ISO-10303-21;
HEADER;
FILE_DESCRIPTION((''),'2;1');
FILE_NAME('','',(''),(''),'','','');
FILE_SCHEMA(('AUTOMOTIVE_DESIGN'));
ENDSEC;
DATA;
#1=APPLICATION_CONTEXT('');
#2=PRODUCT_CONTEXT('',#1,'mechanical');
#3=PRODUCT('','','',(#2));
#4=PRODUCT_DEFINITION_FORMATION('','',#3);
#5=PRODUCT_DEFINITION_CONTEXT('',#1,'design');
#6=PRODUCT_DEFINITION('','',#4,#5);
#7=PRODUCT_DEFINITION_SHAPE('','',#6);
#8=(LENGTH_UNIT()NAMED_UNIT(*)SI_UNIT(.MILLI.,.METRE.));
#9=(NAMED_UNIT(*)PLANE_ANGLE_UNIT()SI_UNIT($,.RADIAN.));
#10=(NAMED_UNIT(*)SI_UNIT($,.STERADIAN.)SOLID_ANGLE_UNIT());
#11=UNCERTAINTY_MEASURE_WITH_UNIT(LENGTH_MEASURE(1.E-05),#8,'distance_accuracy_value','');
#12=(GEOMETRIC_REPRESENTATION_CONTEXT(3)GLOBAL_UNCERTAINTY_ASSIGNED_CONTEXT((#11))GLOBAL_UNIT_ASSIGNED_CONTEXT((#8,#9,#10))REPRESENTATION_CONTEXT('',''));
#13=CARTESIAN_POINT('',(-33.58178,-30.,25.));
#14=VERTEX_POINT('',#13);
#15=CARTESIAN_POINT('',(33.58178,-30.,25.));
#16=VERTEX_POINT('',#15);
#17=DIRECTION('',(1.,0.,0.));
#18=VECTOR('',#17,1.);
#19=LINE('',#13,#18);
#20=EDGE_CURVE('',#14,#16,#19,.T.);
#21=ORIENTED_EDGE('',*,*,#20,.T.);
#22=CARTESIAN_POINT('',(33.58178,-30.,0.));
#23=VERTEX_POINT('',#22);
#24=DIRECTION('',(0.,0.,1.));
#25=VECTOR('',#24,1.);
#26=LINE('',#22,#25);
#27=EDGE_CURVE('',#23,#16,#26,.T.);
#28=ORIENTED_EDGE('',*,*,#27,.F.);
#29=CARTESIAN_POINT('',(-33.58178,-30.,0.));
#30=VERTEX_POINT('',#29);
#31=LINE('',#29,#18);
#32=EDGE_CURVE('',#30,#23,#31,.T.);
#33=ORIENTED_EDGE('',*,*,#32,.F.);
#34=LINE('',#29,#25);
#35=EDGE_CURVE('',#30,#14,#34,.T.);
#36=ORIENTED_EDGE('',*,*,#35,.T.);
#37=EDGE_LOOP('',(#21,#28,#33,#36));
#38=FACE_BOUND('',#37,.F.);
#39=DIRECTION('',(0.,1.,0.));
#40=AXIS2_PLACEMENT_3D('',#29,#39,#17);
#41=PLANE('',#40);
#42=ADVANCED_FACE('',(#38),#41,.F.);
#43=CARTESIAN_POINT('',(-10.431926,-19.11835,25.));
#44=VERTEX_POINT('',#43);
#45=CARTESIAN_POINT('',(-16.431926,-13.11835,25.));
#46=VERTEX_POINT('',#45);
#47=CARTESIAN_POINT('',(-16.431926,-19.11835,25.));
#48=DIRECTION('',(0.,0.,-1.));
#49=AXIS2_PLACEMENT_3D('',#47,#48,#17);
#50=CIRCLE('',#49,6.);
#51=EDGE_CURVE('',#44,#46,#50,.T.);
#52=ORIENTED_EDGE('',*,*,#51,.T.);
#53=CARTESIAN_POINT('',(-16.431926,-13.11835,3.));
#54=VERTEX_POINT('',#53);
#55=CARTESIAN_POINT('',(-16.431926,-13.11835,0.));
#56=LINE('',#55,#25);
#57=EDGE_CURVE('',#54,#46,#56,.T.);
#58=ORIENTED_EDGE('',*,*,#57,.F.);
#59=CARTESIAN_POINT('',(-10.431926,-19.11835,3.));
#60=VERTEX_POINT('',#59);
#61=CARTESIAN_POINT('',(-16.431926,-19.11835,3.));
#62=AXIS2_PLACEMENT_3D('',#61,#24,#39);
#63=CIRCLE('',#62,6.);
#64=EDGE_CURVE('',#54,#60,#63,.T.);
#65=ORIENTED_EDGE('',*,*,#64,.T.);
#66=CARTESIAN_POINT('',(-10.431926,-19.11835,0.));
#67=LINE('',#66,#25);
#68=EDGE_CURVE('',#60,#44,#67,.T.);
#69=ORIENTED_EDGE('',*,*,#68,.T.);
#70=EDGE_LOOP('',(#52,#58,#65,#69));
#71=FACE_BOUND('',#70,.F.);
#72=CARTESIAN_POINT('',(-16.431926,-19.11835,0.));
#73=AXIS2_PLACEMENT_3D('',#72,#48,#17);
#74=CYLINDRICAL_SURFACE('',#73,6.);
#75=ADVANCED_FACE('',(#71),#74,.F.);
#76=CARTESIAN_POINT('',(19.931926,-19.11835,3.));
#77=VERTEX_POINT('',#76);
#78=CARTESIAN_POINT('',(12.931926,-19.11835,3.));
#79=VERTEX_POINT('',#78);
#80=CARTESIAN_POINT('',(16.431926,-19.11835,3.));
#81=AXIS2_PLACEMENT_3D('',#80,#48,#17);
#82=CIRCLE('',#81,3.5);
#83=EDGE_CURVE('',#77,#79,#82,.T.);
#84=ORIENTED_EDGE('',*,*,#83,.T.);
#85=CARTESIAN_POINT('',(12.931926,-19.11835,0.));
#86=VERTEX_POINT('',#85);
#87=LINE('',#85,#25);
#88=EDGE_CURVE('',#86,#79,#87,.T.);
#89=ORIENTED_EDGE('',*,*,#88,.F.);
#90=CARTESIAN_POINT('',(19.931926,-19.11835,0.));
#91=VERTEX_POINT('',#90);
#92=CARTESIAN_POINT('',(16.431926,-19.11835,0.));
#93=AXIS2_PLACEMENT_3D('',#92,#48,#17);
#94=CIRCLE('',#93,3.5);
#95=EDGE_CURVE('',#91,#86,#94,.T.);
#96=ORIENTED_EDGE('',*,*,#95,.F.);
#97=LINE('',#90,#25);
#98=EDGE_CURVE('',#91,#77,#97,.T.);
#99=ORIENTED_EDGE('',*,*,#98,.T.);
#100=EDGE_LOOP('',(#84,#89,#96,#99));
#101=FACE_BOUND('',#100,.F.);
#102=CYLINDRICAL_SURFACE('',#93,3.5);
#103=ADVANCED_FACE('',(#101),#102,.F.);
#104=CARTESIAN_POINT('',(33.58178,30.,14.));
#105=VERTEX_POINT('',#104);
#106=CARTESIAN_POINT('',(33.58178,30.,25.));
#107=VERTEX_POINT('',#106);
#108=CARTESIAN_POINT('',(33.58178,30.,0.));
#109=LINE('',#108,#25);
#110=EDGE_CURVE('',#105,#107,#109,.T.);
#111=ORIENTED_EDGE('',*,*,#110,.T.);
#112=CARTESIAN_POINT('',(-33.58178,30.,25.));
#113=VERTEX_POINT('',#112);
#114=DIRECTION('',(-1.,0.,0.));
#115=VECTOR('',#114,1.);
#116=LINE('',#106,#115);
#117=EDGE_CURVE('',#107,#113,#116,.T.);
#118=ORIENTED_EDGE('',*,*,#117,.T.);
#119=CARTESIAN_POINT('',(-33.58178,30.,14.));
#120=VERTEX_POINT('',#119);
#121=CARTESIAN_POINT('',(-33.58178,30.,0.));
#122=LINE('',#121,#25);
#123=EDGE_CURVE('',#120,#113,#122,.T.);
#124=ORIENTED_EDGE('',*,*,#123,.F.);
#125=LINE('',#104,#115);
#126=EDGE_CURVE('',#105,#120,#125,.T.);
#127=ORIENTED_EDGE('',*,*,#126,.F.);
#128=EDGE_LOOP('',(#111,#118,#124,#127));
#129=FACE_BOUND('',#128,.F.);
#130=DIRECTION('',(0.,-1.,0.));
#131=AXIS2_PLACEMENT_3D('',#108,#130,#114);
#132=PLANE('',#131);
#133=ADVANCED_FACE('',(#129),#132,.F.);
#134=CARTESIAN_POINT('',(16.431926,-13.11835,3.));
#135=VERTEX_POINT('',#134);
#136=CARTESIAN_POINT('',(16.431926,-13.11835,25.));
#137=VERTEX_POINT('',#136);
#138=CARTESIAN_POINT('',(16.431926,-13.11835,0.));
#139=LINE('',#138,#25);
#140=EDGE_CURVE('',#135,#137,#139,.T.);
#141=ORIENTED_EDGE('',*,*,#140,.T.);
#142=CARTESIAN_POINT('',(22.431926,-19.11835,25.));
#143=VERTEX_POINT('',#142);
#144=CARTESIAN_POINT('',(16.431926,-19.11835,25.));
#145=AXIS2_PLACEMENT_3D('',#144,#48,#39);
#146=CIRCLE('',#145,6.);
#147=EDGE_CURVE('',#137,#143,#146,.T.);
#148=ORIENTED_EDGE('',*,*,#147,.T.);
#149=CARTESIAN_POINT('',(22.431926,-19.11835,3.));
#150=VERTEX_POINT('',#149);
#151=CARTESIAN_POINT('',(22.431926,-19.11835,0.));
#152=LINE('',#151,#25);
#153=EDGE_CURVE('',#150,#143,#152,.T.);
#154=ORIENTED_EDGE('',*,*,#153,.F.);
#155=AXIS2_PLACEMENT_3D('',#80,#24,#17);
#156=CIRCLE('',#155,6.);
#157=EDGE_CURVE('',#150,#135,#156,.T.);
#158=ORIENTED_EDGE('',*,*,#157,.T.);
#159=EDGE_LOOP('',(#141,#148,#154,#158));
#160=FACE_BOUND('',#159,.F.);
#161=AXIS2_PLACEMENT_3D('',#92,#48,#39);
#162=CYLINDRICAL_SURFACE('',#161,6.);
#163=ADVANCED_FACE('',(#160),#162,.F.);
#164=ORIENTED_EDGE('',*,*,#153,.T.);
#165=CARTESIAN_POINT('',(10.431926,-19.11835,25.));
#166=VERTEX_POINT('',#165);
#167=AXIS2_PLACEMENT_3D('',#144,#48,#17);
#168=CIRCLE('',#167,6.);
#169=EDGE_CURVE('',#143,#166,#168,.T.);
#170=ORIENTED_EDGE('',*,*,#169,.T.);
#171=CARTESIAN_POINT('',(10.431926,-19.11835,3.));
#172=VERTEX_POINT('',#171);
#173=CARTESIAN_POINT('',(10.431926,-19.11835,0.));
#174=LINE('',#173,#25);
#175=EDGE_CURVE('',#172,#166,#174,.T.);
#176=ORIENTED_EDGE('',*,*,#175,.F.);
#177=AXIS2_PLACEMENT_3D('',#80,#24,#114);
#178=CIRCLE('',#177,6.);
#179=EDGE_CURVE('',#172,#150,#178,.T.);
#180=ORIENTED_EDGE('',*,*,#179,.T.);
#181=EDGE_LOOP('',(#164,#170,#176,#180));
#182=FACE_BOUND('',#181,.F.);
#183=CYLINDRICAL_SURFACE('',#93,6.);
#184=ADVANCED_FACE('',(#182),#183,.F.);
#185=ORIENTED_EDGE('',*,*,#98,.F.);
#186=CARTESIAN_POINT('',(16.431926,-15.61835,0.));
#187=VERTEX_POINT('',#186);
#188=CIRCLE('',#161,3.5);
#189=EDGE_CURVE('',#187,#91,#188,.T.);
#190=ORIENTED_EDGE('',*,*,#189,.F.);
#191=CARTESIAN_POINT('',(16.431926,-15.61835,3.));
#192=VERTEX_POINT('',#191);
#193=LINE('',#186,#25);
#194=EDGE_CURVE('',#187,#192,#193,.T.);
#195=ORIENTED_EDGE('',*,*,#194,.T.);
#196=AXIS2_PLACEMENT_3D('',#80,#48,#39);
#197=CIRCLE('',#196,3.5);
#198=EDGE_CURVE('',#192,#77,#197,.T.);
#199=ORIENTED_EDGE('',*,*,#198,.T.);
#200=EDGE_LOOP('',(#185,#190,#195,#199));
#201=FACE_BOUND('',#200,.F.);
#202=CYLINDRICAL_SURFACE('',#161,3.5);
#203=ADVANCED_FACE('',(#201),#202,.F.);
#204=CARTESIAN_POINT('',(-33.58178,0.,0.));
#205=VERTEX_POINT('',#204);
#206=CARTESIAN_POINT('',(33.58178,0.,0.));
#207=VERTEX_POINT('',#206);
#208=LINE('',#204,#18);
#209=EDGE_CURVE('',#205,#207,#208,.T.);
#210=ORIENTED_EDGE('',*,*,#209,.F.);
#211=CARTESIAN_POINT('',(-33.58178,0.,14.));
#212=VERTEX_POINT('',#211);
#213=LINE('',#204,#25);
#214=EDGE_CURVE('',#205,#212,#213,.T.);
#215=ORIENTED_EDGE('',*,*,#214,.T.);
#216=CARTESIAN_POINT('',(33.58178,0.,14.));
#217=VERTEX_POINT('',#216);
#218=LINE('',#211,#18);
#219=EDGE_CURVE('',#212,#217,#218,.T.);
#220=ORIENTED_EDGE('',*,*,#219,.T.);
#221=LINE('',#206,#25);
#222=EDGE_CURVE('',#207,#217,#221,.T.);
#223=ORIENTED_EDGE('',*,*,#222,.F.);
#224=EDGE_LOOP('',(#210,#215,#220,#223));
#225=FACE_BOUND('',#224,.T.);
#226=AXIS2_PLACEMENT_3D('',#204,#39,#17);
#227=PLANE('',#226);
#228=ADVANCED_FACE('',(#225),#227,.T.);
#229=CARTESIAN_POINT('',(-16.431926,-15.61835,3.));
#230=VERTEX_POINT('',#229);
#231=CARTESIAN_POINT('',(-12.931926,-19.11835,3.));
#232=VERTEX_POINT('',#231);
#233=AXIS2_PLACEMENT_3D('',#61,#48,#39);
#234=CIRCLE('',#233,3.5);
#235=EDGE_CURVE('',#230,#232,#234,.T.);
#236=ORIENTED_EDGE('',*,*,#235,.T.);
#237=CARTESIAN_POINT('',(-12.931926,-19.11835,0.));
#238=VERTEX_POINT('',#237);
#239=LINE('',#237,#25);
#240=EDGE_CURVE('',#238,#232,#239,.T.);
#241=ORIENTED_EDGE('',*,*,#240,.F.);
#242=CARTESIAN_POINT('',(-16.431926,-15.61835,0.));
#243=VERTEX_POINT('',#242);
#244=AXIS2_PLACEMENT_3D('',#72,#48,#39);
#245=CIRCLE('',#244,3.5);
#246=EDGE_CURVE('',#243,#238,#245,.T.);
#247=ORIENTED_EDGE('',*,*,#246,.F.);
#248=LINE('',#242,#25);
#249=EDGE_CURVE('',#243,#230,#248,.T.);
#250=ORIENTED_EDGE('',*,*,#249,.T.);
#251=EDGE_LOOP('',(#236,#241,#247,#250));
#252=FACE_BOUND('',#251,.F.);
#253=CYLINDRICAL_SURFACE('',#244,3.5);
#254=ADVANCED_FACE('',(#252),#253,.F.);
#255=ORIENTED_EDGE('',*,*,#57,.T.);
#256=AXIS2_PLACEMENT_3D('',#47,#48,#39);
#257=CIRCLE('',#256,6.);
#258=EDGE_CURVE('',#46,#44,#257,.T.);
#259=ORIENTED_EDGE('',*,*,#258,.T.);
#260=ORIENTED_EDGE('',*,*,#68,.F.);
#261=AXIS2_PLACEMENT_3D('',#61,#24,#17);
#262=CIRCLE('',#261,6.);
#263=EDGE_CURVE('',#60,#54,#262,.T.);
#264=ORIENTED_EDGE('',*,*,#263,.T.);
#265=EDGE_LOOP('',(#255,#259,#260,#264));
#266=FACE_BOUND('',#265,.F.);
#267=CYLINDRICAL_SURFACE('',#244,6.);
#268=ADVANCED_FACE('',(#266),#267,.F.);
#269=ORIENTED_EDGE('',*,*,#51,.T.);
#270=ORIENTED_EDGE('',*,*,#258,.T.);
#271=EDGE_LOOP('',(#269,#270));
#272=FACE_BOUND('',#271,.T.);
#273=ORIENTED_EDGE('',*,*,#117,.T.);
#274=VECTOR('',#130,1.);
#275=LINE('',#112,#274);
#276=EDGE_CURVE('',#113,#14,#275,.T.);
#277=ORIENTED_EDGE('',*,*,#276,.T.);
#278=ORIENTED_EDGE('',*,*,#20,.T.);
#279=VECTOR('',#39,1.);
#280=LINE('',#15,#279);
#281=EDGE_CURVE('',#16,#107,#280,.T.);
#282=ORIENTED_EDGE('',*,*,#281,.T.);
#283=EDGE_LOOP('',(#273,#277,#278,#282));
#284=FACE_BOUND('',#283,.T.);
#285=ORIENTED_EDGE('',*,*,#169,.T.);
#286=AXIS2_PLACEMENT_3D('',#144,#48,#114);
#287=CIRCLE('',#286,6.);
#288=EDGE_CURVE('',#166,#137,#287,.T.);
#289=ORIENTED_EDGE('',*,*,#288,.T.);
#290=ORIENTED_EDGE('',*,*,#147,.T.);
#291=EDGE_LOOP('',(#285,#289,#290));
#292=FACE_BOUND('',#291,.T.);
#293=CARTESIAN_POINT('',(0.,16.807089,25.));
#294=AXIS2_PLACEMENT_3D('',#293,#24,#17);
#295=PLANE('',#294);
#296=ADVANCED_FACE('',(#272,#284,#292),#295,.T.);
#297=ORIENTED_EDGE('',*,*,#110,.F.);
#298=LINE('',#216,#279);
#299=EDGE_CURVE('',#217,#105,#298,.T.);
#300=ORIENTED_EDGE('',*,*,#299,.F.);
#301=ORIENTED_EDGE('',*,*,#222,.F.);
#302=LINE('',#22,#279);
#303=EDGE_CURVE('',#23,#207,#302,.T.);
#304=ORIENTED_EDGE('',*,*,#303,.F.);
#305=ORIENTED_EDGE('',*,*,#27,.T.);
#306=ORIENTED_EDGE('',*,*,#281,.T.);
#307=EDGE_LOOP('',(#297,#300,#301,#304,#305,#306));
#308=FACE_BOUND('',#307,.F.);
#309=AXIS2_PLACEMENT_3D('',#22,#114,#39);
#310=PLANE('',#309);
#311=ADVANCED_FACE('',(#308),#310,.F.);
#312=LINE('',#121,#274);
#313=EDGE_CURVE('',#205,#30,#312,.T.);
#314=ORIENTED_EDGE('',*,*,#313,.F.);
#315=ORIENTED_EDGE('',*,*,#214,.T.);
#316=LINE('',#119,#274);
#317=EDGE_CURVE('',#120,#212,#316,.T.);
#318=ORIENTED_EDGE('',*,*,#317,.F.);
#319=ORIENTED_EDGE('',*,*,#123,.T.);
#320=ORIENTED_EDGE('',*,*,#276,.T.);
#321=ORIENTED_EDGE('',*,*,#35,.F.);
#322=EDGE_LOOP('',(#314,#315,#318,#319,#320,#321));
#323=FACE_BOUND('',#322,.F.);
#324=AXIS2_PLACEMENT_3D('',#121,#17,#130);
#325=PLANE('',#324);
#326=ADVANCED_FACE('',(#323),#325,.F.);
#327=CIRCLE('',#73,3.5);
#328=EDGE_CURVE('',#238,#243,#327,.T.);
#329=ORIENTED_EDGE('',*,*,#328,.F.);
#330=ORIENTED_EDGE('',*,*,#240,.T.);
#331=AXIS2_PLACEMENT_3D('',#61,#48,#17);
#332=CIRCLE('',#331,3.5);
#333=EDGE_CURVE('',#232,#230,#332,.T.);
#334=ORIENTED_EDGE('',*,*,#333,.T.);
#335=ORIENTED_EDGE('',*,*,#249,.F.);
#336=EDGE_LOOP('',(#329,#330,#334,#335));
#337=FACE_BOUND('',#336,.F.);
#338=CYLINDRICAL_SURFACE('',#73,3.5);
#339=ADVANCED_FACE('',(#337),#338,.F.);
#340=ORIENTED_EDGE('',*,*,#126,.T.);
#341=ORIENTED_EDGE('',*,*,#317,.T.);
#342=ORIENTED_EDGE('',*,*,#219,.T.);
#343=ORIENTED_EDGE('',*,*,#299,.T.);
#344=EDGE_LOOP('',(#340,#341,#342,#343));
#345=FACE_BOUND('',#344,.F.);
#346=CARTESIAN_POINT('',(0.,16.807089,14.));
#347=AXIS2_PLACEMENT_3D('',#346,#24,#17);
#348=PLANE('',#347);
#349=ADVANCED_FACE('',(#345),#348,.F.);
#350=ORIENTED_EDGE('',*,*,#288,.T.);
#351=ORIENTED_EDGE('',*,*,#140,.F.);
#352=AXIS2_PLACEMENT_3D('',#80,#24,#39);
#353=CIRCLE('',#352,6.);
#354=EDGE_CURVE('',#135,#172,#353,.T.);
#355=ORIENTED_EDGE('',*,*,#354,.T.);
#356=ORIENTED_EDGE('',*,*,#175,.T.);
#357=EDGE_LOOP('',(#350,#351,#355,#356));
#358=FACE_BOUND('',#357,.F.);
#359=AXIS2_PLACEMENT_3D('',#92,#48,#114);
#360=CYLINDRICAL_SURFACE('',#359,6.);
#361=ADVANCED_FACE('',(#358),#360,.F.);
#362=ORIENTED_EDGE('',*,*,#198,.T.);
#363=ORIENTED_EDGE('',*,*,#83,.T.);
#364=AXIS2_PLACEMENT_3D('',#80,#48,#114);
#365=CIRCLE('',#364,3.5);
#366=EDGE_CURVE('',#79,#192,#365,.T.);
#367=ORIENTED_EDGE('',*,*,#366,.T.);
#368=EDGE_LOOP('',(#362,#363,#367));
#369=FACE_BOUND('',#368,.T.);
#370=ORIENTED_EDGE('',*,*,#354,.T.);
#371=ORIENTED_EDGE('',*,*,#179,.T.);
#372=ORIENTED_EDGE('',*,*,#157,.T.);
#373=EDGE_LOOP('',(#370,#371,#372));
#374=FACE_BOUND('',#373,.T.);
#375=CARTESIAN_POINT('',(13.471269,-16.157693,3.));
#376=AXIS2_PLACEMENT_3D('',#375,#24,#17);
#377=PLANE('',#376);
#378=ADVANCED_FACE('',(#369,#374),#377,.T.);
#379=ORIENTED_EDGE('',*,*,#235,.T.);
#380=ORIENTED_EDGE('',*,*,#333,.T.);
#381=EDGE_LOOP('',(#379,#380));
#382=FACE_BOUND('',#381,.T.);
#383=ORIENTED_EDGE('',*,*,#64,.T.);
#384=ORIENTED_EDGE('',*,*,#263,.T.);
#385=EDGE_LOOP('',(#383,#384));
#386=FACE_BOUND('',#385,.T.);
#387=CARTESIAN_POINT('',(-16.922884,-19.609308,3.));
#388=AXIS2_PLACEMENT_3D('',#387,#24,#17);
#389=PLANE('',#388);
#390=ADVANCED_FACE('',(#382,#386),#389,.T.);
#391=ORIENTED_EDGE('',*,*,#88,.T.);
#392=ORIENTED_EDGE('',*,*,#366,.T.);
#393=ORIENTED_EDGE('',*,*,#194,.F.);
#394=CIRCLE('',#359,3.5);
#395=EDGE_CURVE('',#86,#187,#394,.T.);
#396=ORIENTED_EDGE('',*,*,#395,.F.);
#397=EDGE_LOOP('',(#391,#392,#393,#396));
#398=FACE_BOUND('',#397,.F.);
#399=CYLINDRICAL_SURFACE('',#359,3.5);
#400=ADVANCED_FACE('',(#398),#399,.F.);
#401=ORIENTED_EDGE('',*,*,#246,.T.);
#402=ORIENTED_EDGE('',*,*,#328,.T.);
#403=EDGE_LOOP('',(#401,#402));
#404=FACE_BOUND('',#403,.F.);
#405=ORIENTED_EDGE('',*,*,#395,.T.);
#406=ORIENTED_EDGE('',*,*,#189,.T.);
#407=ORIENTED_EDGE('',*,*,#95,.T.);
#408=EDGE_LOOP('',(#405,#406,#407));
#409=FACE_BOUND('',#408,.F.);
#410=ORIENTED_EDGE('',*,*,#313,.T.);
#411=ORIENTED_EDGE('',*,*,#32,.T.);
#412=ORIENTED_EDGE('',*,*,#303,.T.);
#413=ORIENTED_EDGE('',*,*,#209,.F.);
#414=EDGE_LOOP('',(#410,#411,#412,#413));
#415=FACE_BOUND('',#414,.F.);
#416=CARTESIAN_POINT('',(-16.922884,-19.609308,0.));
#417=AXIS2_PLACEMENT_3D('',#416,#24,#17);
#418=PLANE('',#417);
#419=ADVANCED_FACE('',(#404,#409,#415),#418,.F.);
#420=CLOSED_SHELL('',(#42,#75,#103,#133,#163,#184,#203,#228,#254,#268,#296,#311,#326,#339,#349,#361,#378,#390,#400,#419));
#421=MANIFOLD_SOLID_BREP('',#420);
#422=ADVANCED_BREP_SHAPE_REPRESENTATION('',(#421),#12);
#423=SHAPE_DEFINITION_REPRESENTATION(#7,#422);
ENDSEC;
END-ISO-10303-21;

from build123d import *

# Parameters (mm, degrees)
F0_W     = 32.8638516366
F0_H     = 19.1183499992
F1_DEPTH = 25
F2_DEPTH = 3
F3_DEPTH = 14


with BuildPart() as f1:
    # F0 (on Top) → F1 (new body)
    with BuildSketch(Plane.XY):
        Polygon((33.5817799435, 0), (33.5817799435, 30), (-33.5817799435, 30), (-33.5817799435, 0), (-16.4319258183, 0), (-16.4319258183, 19.1183499992), (16.4319258183, 19.1183499992), (16.4319258183, 0), align=None)
        with Locations((0, 9.5591749996)):
            Rectangle(F0_W, F0_H)
        with BuildLine():
            Line((16.4319258183, -13.1183499992), (16.4319258183, 0))
            Line((16.4319258183, 0), (-16.4319258183, 0))
            Line((-16.4319258183, 0), (-16.4319258183, -13.1183499992))
            ThreePointArc((-16.4319258183, -13.1183499992), (-12.1892851312, -14.8757093121), (-10.4319258183, -19.1183499992))
            Line((-10.4319258183, -19.1183499992), (10.4319258183, -19.1183499992))
            ThreePointArc((10.4319258183, -19.1183499992), (12.1892851312, -14.8757093121), (16.4319258183, -13.1183499992))
        make_face()
        with BuildLine():
            Line((33.5817799435, -30), (33.5817799435, 0))
            Line((33.5817799435, 0), (16.4319258183, 0))
            Line((16.4319258183, 0), (16.4319258183, -13.1183499992))
            ThreePointArc((16.4319258183, -13.1183499992), (20.6745665054, -14.8757093121), (22.4319258183, -19.1183499992))
            ThreePointArc((22.4319258183, -19.1183499992), (16.4319258183, -25.1183499992), (10.4319258183, -19.1183499992))
            Line((10.4319258183, -19.1183499992), (-10.4319258183, -19.1183499992))
            ThreePointArc((-10.4319258183, -19.1183499992), (-20.6745665054, -23.3609906863), (-16.4319258183, -13.1183499992))
            Line((-16.4319258183, -13.1183499992), (-16.4319258183, 0))
            Line((-16.4319258183, 0), (-33.5817799435, 0))
            Line((-33.5817799435, 0), (-33.5817799435, -30))
            Line((-33.5817799435, -30), (33.5817799435, -30))
        make_face()
    extrude(amount=F1_DEPTH)

    # F0 (on Top) → F2 (join)
    with BuildSketch(Plane.XY):
        with BuildLine():
            Line((-16.4319258183, -15.6183499992), (-16.4319258183, -13.1183499992))
            ThreePointArc((-16.4319258183, -13.1183499992), (-20.6745665054, -23.3609906863), (-10.4319258183, -19.1183499992))
            Line((-10.4319258183, -19.1183499992), (-12.9319258183, -19.1183499992))
            ThreePointArc((-12.9319258183, -19.1183499992), (-18.9067995525, -21.5932237333), (-16.4319258183, -15.6183499992))
        make_face()
        with BuildLine():
            ThreePointArc((-10.4319258183, -19.1183499992), (-12.1892851312, -14.8757093121), (-16.4319258183, -13.1183499992))
            Line((-16.4319258183, -13.1183499992), (-16.4319258183, -15.6183499992))
            ThreePointArc((-16.4319258183, -15.6183499992), (-13.9570520842, -16.643476265), (-12.9319258183, -19.1183499992))
            Line((-12.9319258183, -19.1183499992), (-10.4319258183, -19.1183499992))
        make_face()
        with BuildLine():
            Line((16.4319258183, -15.6183499992), (16.4319258183, -13.1183499992))
            ThreePointArc((16.4319258183, -13.1183499992), (12.1892851312, -14.8757093121), (10.4319258183, -19.1183499992))
            Line((10.4319258183, -19.1183499992), (12.9319258183, -19.1183499992))
            ThreePointArc((12.9319258183, -19.1183499992), (13.9570520842, -16.643476265), (16.4319258183, -15.6183499992))
        make_face()
        with BuildLine():
            ThreePointArc((22.4319258183, -19.1183499992), (20.6745665054, -14.8757093121), (16.4319258183, -13.1183499992))
            Line((16.4319258183, -13.1183499992), (16.4319258183, -15.6183499992))
            ThreePointArc((16.4319258183, -15.6183499992), (18.9067995525, -16.643476265), (19.9319258183, -19.1183499992))
            ThreePointArc((19.9319258183, -19.1183499992), (16.4319258183, -22.6183499992), (12.9319258183, -19.1183499992))
            Line((12.9319258183, -19.1183499992), (10.4319258183, -19.1183499992))
            ThreePointArc((10.4319258183, -19.1183499992), (16.4319258183, -25.1183499992), (22.4319258183, -19.1183499992))
        make_face()
    extrude(amount=F2_DEPTH)

    # F0 (on Top) → F3 (cut)
    with BuildSketch(Plane.XY):
        Polygon((33.5817799435, 0), (33.5817799435, 30), (-33.5817799435, 30), (-33.5817799435, 0), (-16.4319258183, 0), (-16.4319258183, 19.1183499992), (16.4319258183, 19.1183499992), (16.4319258183, 0), align=None)
        with Locations((0, 9.5591749996)):
            Rectangle(F0_W, F0_H)
    extrude(amount=F3_DEPTH, mode=Mode.SUBTRACT)


solid = f1.part
